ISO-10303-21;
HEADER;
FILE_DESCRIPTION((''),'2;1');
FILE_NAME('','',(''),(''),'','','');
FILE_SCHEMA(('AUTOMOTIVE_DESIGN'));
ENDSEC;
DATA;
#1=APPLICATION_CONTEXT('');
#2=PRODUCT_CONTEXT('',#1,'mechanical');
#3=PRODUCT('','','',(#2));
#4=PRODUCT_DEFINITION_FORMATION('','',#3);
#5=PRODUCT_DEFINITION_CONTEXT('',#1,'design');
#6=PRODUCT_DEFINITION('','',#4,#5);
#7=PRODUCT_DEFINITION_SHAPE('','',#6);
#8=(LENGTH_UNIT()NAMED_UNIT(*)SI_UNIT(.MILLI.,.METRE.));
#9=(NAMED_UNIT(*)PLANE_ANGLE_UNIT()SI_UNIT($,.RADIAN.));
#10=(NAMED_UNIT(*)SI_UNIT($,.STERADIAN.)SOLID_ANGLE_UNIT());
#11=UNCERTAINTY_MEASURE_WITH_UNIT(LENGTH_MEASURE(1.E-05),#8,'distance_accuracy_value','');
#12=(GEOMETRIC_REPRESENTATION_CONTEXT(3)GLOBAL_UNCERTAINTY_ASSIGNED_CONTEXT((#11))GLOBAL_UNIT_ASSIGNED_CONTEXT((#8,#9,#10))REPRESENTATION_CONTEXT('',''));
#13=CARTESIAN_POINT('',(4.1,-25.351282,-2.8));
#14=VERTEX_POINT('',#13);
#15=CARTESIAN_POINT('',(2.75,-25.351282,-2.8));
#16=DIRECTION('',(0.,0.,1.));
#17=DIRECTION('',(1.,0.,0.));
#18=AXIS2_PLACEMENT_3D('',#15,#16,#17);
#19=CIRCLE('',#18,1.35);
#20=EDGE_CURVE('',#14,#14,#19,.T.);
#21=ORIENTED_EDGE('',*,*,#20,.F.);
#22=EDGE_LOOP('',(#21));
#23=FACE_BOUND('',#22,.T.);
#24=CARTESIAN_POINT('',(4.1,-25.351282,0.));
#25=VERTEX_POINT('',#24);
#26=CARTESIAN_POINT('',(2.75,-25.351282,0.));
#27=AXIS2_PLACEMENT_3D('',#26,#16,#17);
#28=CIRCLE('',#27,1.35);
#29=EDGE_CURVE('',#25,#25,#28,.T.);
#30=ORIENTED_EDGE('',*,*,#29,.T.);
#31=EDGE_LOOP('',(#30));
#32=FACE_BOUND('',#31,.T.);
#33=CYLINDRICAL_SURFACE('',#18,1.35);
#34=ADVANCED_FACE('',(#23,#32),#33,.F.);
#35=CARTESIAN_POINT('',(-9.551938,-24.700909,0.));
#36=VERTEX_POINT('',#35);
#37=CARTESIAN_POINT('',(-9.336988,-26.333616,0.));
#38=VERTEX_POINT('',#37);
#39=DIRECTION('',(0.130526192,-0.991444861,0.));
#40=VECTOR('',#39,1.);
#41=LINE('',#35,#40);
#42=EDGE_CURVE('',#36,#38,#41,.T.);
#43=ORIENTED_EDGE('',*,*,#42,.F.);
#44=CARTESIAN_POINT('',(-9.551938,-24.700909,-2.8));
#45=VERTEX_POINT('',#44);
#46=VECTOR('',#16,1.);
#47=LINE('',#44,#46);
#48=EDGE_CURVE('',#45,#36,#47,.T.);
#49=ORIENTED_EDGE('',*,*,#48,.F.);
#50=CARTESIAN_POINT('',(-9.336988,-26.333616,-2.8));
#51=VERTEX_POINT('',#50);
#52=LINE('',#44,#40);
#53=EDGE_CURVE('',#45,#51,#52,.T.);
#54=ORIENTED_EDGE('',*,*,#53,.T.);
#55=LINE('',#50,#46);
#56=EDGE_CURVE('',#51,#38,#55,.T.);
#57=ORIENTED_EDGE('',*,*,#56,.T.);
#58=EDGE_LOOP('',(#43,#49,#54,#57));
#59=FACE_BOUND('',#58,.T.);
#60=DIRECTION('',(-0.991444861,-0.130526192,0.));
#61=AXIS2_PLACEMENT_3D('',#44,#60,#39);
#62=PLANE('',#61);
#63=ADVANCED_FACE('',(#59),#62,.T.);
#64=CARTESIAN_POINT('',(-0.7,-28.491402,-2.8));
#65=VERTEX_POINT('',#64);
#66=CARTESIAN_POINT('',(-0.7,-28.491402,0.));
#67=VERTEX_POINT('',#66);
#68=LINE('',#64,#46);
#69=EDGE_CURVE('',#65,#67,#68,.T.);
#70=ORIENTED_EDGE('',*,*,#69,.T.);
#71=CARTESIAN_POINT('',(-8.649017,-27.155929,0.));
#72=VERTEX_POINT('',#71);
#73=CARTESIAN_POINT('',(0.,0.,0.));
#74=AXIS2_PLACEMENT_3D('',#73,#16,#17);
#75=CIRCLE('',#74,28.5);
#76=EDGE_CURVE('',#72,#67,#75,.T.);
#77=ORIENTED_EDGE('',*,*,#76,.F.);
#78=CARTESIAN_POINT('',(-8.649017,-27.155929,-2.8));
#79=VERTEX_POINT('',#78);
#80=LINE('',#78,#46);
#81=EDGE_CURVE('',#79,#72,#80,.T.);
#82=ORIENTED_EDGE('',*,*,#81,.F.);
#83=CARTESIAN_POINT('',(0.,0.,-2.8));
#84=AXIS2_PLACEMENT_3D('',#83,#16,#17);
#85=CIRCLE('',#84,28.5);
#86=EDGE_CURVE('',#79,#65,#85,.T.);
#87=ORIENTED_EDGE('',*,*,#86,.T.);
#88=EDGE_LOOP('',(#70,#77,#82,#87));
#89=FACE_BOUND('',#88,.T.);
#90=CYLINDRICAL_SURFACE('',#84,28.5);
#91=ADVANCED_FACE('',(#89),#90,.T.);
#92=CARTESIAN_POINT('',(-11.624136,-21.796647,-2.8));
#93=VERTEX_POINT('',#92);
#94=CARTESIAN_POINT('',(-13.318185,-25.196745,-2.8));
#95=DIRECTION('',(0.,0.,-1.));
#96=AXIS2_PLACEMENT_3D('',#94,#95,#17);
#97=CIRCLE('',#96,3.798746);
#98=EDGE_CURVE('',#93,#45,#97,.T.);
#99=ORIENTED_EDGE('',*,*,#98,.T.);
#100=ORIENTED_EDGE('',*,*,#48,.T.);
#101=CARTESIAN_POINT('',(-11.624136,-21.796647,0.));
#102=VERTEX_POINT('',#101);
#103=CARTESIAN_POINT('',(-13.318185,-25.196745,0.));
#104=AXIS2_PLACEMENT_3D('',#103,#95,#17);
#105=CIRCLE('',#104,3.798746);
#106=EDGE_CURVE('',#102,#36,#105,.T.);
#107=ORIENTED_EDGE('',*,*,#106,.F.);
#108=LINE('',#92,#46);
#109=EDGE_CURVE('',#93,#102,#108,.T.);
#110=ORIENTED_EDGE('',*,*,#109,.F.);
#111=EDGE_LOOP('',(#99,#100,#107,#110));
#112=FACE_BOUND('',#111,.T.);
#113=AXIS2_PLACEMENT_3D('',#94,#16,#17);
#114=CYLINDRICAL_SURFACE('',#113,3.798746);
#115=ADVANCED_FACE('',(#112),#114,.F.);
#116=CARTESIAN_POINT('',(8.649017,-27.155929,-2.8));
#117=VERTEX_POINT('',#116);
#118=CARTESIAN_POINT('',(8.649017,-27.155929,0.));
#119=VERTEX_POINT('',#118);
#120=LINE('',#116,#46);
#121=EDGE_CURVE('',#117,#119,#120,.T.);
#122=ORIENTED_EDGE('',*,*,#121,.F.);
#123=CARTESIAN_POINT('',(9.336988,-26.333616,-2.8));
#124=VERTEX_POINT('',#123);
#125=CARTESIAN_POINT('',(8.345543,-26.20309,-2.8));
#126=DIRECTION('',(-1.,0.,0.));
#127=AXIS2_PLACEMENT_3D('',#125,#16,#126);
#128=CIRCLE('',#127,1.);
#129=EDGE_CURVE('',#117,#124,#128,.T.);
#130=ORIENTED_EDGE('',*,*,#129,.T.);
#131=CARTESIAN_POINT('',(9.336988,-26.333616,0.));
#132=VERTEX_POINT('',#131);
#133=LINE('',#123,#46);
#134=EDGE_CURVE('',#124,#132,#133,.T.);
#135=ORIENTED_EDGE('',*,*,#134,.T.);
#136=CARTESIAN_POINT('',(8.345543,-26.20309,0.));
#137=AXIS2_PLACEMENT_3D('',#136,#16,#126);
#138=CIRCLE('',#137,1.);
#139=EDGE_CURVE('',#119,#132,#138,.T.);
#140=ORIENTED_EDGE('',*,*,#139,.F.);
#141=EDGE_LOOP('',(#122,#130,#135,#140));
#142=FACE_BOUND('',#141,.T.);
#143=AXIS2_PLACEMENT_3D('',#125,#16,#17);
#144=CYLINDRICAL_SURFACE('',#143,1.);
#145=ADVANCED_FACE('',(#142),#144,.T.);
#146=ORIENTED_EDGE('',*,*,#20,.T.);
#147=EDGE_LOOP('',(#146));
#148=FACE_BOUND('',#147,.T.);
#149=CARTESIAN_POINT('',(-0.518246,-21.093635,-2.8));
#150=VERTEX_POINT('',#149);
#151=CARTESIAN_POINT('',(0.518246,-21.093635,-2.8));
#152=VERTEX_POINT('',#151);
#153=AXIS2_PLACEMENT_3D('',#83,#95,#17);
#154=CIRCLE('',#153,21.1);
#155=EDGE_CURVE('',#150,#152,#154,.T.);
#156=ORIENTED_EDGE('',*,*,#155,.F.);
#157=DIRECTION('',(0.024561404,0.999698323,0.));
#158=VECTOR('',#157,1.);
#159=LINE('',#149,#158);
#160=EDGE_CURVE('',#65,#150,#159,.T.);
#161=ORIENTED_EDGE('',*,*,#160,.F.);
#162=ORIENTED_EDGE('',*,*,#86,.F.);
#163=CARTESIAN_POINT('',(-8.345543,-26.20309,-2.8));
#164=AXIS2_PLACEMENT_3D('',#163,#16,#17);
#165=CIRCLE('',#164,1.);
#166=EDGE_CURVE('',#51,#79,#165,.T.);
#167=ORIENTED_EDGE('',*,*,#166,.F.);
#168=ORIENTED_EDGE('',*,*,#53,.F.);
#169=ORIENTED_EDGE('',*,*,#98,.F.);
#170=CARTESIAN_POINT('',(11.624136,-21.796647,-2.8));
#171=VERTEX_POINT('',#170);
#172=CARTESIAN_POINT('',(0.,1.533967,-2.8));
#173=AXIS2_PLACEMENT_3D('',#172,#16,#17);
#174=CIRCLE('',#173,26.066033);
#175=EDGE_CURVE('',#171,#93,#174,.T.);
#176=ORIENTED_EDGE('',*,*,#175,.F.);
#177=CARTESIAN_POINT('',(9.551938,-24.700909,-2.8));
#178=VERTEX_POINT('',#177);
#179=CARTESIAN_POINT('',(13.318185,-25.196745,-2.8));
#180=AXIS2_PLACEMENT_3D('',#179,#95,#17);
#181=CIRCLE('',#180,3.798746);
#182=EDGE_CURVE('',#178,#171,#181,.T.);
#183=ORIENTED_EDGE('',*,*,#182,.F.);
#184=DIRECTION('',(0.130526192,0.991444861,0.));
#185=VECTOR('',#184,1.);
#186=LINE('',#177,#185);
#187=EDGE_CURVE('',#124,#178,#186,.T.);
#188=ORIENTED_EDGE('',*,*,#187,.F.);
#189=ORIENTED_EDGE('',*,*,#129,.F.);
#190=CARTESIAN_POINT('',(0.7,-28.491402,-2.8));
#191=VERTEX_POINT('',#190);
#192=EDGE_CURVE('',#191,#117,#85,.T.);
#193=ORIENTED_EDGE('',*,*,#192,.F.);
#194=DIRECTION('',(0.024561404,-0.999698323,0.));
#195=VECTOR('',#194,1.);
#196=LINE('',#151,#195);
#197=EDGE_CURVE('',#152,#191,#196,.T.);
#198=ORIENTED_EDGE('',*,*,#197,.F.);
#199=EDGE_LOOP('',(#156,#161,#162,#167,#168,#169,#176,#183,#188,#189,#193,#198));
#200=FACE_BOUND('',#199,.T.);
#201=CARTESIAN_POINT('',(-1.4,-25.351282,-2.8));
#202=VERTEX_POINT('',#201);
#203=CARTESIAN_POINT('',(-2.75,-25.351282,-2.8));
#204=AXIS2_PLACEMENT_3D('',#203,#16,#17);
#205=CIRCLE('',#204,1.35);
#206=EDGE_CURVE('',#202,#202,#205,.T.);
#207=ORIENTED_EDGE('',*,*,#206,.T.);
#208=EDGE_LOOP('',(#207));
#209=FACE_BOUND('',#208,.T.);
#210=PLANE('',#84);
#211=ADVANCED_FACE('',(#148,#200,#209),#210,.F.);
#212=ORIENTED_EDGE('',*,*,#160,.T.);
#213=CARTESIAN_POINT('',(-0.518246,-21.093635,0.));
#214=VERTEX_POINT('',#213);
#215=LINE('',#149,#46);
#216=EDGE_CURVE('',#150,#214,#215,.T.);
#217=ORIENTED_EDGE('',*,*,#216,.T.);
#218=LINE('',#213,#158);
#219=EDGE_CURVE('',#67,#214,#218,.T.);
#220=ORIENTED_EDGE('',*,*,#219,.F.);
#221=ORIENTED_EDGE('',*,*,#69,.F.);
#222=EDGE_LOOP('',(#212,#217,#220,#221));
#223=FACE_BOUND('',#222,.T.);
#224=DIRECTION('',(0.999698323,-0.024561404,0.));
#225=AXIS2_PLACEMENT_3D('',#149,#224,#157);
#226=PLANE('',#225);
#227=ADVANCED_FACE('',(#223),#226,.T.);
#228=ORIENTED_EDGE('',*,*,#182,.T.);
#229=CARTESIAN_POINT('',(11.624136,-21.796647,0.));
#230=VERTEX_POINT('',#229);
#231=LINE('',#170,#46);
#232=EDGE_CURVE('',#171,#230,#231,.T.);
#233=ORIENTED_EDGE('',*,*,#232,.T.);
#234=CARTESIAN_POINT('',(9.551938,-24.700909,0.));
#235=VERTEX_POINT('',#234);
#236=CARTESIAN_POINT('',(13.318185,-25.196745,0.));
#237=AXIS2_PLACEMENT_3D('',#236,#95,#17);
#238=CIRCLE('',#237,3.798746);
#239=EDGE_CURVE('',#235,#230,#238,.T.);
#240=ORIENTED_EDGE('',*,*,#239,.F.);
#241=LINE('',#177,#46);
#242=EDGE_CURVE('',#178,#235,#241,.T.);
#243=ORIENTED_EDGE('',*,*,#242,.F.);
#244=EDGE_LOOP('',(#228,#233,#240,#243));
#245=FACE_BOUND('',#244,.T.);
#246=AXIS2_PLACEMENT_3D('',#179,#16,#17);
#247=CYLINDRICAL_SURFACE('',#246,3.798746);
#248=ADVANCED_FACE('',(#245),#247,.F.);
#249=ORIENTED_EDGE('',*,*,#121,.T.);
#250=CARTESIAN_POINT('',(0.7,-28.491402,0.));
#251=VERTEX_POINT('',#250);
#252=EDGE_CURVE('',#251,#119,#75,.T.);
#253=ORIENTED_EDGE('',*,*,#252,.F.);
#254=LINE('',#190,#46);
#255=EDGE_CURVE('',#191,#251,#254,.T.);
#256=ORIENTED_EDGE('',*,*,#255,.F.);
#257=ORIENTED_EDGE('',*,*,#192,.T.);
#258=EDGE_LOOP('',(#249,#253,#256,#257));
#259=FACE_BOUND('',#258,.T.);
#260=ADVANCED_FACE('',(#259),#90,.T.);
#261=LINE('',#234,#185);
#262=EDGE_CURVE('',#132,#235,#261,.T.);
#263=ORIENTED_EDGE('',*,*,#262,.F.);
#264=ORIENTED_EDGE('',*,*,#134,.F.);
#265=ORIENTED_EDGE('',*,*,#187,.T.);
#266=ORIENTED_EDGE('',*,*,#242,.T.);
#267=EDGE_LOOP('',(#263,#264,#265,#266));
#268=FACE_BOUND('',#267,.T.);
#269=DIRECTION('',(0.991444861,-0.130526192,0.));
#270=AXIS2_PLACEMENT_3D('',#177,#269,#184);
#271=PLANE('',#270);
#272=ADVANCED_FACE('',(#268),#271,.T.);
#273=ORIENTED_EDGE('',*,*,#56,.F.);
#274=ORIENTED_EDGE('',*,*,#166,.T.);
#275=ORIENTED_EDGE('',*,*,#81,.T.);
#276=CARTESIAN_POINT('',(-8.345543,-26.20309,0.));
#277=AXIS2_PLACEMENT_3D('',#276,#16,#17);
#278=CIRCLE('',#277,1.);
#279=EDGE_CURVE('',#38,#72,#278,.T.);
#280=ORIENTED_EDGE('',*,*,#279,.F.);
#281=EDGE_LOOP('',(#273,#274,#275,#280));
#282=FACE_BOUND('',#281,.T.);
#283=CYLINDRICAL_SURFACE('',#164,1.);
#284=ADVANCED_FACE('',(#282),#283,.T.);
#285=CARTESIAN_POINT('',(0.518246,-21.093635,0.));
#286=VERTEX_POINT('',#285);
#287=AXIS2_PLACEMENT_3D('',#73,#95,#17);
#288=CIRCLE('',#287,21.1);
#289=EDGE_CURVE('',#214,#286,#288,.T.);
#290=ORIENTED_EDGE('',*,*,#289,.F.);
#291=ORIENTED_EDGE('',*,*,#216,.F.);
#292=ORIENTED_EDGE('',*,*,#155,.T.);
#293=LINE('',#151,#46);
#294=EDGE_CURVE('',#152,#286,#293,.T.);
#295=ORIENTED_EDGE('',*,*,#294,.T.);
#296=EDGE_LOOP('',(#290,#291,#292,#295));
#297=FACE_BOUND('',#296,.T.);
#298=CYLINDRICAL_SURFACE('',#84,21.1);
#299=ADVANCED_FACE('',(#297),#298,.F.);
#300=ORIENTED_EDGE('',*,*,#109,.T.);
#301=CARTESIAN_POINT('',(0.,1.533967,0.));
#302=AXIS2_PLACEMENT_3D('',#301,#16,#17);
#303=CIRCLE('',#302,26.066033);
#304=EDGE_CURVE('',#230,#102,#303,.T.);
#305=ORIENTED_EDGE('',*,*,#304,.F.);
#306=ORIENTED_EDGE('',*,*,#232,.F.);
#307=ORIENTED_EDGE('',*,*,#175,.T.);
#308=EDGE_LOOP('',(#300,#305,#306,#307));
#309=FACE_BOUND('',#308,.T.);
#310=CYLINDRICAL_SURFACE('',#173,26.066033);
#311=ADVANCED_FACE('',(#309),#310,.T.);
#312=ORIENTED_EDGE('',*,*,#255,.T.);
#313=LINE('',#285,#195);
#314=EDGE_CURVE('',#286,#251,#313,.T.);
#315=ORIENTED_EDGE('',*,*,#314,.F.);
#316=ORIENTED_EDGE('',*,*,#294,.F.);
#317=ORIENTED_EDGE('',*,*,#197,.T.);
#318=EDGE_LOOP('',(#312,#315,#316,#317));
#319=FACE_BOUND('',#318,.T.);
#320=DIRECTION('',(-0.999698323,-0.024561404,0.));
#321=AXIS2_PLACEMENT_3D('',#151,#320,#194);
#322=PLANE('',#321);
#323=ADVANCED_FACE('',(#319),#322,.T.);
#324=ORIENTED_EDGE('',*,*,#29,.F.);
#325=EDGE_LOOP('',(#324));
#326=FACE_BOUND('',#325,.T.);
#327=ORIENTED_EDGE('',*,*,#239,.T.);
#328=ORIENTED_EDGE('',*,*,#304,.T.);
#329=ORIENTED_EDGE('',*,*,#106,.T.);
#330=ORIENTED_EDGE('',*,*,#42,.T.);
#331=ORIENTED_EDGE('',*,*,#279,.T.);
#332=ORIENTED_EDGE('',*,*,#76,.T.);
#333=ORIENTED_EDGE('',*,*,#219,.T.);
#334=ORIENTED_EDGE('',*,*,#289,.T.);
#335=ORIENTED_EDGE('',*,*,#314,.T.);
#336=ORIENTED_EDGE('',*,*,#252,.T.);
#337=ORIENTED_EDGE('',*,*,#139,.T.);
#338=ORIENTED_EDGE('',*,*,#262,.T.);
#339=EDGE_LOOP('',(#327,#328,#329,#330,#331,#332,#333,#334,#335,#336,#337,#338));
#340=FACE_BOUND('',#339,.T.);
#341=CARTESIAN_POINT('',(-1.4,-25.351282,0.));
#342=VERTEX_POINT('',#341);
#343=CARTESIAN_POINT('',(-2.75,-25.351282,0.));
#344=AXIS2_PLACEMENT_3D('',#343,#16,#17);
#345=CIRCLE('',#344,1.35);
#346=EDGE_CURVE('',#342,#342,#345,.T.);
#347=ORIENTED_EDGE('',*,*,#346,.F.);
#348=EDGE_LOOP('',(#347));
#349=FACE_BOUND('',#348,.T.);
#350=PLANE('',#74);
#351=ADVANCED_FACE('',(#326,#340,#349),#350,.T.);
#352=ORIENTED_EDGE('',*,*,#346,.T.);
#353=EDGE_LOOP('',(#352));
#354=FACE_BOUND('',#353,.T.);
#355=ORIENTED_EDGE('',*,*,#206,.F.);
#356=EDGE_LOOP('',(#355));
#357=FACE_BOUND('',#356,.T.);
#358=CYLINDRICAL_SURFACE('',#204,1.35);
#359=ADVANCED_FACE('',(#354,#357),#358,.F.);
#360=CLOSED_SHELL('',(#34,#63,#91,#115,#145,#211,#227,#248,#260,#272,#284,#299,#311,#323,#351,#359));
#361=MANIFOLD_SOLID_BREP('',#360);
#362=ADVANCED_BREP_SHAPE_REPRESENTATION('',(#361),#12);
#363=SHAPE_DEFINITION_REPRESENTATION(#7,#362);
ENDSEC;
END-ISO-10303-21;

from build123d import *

# Parameters (mm, degrees)
BODYSKE_R  = 1.35
BODY_DEPTH = 2.8


with BuildPart() as part:
    # BodySke → Body (new body)
    with BuildSketch(Plane.XY):
        with BuildLine():
            Line((0.518245614, -21.09363462), (0.7, -28.491402212))
            ThreePointArc((0.7, -28.491402212), (4.721959722, -28.106104255), (8.649017415, -27.15592933))
            ThreePointArc((8.649017415, -27.15592933), (9.112520141, -26.84476427), (9.336987981, -26.333615896))
            Line((9.336987981, -26.333615896), (9.551937905, -24.700909129))
            ThreePointArc((9.551937905, -24.700909129), (10.22587295, -22.990373214), (11.624135819, -21.7966469))
            ThreePointArc((11.624135819, -21.7966469), (0, 27.6), (-11.624135819, -21.7966469))
            ThreePointArc((-11.624135819, -21.7966469), (-10.22587295, -22.990373214), (-9.551937905, -24.700909129))
            Line((-9.551937905, -24.700909129), (-9.336987981, -26.333615896))
            ThreePointArc((-9.336987981, -26.333615896), (-9.112520141, -26.84476427), (-8.649017415, -27.15592933))
            ThreePointArc((-8.649017415, -27.15592933), (-4.721959722, -28.106104255), (-0.7, -28.491402212))
            Line((-0.7, -28.491402212), (-0.518245614, -21.09363462))
            ThreePointArc((-0.518245614, -21.09363462), (0, 21.1), (0.518245614, -21.09363462))
        make_face()
        with Locations((2.75, -25.351282019)):
            Circle(BODYSKE_R, mode=Mode.SUBTRACT)
        with Locations((-2.75, -25.351282019)):
            Circle(BODYSKE_R, mode=Mode.SUBTRACT)
    extrude(amount=-BODY_DEPTH)


solid = part.part
